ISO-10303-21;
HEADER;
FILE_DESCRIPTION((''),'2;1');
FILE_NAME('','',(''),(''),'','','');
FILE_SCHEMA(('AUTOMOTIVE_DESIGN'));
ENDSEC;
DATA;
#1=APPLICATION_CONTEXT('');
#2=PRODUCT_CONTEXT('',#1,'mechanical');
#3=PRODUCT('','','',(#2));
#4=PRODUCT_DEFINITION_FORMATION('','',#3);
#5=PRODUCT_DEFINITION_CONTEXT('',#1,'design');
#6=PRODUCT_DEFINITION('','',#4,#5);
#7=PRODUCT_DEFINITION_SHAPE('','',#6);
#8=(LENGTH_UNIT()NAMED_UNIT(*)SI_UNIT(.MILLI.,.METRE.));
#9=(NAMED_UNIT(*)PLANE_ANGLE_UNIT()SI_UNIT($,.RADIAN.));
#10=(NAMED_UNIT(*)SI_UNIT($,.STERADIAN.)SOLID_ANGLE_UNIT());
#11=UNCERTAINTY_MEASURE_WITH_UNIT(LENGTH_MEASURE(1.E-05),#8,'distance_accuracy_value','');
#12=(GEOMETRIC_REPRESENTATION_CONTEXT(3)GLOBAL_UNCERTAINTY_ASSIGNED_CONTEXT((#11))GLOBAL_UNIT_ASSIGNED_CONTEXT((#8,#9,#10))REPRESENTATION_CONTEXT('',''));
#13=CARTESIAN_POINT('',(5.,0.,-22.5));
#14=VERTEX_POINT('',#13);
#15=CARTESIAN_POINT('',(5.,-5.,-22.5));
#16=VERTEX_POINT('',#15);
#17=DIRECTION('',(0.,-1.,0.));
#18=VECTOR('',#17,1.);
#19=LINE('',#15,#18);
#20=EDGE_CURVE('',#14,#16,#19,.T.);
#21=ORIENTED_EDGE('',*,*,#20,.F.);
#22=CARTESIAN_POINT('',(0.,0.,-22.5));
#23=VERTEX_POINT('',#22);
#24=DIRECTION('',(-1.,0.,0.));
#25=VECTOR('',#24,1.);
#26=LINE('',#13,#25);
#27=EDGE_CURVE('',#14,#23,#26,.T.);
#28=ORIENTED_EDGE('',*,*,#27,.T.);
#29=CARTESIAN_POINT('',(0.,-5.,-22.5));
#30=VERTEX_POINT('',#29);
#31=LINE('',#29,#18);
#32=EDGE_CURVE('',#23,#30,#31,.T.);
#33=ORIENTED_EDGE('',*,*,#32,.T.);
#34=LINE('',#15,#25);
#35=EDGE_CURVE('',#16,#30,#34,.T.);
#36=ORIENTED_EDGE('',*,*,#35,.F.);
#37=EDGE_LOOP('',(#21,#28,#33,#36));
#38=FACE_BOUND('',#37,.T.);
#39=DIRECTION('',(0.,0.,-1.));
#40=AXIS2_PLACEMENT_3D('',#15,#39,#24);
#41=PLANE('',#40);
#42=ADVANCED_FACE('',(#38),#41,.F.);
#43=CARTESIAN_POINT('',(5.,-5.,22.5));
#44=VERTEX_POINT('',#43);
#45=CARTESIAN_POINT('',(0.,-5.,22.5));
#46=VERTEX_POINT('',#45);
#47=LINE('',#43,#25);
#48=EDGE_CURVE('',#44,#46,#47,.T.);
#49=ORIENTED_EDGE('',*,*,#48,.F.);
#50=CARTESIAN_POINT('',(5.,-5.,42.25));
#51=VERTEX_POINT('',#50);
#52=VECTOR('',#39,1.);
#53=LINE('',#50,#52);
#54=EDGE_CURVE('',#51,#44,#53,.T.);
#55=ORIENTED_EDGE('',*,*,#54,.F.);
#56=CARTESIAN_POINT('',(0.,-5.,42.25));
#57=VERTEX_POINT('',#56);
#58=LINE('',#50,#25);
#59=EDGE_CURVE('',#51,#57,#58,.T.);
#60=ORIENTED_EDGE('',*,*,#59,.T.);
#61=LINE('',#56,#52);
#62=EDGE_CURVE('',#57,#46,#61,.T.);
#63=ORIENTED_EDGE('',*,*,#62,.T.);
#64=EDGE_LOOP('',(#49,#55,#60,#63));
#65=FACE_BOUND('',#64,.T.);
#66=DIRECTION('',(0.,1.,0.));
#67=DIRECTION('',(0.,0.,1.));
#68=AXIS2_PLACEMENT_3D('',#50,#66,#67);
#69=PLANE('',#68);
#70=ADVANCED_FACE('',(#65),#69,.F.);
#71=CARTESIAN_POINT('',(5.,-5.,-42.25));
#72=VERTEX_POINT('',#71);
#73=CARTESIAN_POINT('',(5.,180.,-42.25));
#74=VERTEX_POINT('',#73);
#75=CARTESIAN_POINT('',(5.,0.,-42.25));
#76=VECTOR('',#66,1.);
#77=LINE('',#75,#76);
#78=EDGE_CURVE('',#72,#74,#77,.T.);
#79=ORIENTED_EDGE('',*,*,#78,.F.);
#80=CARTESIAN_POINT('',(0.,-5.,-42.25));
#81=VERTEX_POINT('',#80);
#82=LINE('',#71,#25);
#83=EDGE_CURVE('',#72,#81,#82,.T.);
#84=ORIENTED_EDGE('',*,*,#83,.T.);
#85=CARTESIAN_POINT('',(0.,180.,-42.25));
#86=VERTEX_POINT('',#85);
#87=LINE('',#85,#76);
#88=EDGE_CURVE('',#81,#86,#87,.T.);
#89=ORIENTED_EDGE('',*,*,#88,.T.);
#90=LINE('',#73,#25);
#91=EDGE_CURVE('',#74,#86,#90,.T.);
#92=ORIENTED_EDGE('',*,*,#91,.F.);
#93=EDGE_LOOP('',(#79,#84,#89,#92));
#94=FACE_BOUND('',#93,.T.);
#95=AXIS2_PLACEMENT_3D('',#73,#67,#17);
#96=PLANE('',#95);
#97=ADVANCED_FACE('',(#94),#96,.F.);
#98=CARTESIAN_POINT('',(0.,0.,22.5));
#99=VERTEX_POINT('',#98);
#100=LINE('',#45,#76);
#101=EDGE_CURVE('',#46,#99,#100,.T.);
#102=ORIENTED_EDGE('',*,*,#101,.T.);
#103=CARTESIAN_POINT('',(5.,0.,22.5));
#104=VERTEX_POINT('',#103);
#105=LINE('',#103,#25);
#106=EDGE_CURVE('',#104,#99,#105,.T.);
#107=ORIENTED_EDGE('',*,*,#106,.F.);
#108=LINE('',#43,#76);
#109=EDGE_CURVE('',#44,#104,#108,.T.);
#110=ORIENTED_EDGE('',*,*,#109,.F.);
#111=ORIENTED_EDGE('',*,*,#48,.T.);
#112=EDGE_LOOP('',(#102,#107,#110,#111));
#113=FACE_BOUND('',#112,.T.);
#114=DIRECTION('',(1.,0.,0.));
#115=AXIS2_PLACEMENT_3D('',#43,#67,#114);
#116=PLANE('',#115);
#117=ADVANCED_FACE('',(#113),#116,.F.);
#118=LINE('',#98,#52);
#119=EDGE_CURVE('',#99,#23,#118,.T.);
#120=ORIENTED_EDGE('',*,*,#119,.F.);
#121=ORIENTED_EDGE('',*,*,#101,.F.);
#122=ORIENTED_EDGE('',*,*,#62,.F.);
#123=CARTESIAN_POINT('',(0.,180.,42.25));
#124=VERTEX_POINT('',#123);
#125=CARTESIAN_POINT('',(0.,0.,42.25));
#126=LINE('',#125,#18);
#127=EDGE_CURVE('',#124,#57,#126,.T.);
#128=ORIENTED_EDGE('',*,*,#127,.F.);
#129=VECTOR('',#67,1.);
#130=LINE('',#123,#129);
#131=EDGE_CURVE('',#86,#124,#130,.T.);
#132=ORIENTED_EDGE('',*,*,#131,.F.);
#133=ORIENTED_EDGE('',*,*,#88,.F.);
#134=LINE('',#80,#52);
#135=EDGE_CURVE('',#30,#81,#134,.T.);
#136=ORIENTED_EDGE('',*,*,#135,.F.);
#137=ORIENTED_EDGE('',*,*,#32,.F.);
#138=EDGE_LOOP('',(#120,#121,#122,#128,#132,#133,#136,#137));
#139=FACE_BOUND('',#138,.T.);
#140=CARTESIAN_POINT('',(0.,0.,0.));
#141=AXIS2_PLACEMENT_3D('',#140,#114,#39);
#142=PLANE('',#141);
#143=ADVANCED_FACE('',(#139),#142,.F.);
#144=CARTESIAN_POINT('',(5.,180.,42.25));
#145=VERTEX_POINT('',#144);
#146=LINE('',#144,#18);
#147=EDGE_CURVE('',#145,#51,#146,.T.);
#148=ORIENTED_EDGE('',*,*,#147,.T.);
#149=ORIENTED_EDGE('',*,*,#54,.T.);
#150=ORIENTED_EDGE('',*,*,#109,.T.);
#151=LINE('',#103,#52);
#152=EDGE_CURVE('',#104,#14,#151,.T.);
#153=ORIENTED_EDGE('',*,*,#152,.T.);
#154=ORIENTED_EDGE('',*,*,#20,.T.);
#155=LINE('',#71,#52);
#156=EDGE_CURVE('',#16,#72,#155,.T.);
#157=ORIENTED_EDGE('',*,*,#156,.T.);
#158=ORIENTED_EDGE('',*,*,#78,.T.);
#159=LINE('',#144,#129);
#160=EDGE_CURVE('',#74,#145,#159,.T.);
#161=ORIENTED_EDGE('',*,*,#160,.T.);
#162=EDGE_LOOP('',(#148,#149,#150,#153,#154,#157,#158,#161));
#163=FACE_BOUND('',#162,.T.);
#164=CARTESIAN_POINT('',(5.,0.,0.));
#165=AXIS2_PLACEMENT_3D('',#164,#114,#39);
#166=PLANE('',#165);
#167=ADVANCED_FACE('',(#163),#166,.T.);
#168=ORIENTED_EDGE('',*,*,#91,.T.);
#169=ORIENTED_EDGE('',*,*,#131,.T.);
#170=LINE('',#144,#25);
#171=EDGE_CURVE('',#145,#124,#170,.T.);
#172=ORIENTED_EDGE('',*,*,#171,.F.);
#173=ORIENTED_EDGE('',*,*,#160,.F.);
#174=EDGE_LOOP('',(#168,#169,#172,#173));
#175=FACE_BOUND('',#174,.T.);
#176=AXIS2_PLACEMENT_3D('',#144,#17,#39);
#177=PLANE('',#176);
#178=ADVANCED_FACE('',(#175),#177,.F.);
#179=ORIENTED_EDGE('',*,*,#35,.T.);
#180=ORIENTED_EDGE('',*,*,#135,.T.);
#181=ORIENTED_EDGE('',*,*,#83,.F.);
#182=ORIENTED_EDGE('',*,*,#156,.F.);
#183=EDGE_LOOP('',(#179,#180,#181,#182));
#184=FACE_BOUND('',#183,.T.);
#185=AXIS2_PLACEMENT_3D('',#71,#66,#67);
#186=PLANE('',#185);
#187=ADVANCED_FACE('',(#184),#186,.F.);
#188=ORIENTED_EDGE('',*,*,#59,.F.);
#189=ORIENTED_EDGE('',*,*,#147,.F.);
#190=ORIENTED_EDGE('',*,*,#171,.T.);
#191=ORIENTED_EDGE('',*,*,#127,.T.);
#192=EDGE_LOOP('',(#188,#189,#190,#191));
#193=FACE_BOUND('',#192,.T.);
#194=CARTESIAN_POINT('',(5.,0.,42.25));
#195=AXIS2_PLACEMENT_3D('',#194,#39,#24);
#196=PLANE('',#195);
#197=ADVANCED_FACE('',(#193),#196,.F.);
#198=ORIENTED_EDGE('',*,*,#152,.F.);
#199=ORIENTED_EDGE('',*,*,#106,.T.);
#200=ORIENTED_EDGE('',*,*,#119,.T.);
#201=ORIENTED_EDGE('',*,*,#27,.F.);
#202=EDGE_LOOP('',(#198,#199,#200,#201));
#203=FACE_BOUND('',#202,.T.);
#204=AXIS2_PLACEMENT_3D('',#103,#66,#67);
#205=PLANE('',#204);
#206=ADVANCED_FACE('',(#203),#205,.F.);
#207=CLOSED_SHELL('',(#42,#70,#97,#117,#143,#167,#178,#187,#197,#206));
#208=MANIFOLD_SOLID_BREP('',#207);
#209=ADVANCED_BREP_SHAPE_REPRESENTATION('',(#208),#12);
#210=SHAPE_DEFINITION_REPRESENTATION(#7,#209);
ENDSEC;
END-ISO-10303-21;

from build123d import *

# Parameters (mm, degrees)
BOSS_EXTRUDE1_DEPTH = 5


with BuildPart() as part:
    # Sketch1 → Boss-Extrude1 (new body)
    with BuildSketch(Plane(origin=(0, 0, 0), x_dir=(0, 0, -1), z_dir=(1, 0, 0))):
        Polygon((-42.25, 180), (42.25, 180), (42.25, 0), (42.25, -5), (22.5, -5), (22.5, 0), (-22.5, 0), (-22.5, -5), (-42.25, -5), (-42.25, 0), align=None)
    extrude(amount=BOSS_EXTRUDE1_DEPTH)


solid = part.part
